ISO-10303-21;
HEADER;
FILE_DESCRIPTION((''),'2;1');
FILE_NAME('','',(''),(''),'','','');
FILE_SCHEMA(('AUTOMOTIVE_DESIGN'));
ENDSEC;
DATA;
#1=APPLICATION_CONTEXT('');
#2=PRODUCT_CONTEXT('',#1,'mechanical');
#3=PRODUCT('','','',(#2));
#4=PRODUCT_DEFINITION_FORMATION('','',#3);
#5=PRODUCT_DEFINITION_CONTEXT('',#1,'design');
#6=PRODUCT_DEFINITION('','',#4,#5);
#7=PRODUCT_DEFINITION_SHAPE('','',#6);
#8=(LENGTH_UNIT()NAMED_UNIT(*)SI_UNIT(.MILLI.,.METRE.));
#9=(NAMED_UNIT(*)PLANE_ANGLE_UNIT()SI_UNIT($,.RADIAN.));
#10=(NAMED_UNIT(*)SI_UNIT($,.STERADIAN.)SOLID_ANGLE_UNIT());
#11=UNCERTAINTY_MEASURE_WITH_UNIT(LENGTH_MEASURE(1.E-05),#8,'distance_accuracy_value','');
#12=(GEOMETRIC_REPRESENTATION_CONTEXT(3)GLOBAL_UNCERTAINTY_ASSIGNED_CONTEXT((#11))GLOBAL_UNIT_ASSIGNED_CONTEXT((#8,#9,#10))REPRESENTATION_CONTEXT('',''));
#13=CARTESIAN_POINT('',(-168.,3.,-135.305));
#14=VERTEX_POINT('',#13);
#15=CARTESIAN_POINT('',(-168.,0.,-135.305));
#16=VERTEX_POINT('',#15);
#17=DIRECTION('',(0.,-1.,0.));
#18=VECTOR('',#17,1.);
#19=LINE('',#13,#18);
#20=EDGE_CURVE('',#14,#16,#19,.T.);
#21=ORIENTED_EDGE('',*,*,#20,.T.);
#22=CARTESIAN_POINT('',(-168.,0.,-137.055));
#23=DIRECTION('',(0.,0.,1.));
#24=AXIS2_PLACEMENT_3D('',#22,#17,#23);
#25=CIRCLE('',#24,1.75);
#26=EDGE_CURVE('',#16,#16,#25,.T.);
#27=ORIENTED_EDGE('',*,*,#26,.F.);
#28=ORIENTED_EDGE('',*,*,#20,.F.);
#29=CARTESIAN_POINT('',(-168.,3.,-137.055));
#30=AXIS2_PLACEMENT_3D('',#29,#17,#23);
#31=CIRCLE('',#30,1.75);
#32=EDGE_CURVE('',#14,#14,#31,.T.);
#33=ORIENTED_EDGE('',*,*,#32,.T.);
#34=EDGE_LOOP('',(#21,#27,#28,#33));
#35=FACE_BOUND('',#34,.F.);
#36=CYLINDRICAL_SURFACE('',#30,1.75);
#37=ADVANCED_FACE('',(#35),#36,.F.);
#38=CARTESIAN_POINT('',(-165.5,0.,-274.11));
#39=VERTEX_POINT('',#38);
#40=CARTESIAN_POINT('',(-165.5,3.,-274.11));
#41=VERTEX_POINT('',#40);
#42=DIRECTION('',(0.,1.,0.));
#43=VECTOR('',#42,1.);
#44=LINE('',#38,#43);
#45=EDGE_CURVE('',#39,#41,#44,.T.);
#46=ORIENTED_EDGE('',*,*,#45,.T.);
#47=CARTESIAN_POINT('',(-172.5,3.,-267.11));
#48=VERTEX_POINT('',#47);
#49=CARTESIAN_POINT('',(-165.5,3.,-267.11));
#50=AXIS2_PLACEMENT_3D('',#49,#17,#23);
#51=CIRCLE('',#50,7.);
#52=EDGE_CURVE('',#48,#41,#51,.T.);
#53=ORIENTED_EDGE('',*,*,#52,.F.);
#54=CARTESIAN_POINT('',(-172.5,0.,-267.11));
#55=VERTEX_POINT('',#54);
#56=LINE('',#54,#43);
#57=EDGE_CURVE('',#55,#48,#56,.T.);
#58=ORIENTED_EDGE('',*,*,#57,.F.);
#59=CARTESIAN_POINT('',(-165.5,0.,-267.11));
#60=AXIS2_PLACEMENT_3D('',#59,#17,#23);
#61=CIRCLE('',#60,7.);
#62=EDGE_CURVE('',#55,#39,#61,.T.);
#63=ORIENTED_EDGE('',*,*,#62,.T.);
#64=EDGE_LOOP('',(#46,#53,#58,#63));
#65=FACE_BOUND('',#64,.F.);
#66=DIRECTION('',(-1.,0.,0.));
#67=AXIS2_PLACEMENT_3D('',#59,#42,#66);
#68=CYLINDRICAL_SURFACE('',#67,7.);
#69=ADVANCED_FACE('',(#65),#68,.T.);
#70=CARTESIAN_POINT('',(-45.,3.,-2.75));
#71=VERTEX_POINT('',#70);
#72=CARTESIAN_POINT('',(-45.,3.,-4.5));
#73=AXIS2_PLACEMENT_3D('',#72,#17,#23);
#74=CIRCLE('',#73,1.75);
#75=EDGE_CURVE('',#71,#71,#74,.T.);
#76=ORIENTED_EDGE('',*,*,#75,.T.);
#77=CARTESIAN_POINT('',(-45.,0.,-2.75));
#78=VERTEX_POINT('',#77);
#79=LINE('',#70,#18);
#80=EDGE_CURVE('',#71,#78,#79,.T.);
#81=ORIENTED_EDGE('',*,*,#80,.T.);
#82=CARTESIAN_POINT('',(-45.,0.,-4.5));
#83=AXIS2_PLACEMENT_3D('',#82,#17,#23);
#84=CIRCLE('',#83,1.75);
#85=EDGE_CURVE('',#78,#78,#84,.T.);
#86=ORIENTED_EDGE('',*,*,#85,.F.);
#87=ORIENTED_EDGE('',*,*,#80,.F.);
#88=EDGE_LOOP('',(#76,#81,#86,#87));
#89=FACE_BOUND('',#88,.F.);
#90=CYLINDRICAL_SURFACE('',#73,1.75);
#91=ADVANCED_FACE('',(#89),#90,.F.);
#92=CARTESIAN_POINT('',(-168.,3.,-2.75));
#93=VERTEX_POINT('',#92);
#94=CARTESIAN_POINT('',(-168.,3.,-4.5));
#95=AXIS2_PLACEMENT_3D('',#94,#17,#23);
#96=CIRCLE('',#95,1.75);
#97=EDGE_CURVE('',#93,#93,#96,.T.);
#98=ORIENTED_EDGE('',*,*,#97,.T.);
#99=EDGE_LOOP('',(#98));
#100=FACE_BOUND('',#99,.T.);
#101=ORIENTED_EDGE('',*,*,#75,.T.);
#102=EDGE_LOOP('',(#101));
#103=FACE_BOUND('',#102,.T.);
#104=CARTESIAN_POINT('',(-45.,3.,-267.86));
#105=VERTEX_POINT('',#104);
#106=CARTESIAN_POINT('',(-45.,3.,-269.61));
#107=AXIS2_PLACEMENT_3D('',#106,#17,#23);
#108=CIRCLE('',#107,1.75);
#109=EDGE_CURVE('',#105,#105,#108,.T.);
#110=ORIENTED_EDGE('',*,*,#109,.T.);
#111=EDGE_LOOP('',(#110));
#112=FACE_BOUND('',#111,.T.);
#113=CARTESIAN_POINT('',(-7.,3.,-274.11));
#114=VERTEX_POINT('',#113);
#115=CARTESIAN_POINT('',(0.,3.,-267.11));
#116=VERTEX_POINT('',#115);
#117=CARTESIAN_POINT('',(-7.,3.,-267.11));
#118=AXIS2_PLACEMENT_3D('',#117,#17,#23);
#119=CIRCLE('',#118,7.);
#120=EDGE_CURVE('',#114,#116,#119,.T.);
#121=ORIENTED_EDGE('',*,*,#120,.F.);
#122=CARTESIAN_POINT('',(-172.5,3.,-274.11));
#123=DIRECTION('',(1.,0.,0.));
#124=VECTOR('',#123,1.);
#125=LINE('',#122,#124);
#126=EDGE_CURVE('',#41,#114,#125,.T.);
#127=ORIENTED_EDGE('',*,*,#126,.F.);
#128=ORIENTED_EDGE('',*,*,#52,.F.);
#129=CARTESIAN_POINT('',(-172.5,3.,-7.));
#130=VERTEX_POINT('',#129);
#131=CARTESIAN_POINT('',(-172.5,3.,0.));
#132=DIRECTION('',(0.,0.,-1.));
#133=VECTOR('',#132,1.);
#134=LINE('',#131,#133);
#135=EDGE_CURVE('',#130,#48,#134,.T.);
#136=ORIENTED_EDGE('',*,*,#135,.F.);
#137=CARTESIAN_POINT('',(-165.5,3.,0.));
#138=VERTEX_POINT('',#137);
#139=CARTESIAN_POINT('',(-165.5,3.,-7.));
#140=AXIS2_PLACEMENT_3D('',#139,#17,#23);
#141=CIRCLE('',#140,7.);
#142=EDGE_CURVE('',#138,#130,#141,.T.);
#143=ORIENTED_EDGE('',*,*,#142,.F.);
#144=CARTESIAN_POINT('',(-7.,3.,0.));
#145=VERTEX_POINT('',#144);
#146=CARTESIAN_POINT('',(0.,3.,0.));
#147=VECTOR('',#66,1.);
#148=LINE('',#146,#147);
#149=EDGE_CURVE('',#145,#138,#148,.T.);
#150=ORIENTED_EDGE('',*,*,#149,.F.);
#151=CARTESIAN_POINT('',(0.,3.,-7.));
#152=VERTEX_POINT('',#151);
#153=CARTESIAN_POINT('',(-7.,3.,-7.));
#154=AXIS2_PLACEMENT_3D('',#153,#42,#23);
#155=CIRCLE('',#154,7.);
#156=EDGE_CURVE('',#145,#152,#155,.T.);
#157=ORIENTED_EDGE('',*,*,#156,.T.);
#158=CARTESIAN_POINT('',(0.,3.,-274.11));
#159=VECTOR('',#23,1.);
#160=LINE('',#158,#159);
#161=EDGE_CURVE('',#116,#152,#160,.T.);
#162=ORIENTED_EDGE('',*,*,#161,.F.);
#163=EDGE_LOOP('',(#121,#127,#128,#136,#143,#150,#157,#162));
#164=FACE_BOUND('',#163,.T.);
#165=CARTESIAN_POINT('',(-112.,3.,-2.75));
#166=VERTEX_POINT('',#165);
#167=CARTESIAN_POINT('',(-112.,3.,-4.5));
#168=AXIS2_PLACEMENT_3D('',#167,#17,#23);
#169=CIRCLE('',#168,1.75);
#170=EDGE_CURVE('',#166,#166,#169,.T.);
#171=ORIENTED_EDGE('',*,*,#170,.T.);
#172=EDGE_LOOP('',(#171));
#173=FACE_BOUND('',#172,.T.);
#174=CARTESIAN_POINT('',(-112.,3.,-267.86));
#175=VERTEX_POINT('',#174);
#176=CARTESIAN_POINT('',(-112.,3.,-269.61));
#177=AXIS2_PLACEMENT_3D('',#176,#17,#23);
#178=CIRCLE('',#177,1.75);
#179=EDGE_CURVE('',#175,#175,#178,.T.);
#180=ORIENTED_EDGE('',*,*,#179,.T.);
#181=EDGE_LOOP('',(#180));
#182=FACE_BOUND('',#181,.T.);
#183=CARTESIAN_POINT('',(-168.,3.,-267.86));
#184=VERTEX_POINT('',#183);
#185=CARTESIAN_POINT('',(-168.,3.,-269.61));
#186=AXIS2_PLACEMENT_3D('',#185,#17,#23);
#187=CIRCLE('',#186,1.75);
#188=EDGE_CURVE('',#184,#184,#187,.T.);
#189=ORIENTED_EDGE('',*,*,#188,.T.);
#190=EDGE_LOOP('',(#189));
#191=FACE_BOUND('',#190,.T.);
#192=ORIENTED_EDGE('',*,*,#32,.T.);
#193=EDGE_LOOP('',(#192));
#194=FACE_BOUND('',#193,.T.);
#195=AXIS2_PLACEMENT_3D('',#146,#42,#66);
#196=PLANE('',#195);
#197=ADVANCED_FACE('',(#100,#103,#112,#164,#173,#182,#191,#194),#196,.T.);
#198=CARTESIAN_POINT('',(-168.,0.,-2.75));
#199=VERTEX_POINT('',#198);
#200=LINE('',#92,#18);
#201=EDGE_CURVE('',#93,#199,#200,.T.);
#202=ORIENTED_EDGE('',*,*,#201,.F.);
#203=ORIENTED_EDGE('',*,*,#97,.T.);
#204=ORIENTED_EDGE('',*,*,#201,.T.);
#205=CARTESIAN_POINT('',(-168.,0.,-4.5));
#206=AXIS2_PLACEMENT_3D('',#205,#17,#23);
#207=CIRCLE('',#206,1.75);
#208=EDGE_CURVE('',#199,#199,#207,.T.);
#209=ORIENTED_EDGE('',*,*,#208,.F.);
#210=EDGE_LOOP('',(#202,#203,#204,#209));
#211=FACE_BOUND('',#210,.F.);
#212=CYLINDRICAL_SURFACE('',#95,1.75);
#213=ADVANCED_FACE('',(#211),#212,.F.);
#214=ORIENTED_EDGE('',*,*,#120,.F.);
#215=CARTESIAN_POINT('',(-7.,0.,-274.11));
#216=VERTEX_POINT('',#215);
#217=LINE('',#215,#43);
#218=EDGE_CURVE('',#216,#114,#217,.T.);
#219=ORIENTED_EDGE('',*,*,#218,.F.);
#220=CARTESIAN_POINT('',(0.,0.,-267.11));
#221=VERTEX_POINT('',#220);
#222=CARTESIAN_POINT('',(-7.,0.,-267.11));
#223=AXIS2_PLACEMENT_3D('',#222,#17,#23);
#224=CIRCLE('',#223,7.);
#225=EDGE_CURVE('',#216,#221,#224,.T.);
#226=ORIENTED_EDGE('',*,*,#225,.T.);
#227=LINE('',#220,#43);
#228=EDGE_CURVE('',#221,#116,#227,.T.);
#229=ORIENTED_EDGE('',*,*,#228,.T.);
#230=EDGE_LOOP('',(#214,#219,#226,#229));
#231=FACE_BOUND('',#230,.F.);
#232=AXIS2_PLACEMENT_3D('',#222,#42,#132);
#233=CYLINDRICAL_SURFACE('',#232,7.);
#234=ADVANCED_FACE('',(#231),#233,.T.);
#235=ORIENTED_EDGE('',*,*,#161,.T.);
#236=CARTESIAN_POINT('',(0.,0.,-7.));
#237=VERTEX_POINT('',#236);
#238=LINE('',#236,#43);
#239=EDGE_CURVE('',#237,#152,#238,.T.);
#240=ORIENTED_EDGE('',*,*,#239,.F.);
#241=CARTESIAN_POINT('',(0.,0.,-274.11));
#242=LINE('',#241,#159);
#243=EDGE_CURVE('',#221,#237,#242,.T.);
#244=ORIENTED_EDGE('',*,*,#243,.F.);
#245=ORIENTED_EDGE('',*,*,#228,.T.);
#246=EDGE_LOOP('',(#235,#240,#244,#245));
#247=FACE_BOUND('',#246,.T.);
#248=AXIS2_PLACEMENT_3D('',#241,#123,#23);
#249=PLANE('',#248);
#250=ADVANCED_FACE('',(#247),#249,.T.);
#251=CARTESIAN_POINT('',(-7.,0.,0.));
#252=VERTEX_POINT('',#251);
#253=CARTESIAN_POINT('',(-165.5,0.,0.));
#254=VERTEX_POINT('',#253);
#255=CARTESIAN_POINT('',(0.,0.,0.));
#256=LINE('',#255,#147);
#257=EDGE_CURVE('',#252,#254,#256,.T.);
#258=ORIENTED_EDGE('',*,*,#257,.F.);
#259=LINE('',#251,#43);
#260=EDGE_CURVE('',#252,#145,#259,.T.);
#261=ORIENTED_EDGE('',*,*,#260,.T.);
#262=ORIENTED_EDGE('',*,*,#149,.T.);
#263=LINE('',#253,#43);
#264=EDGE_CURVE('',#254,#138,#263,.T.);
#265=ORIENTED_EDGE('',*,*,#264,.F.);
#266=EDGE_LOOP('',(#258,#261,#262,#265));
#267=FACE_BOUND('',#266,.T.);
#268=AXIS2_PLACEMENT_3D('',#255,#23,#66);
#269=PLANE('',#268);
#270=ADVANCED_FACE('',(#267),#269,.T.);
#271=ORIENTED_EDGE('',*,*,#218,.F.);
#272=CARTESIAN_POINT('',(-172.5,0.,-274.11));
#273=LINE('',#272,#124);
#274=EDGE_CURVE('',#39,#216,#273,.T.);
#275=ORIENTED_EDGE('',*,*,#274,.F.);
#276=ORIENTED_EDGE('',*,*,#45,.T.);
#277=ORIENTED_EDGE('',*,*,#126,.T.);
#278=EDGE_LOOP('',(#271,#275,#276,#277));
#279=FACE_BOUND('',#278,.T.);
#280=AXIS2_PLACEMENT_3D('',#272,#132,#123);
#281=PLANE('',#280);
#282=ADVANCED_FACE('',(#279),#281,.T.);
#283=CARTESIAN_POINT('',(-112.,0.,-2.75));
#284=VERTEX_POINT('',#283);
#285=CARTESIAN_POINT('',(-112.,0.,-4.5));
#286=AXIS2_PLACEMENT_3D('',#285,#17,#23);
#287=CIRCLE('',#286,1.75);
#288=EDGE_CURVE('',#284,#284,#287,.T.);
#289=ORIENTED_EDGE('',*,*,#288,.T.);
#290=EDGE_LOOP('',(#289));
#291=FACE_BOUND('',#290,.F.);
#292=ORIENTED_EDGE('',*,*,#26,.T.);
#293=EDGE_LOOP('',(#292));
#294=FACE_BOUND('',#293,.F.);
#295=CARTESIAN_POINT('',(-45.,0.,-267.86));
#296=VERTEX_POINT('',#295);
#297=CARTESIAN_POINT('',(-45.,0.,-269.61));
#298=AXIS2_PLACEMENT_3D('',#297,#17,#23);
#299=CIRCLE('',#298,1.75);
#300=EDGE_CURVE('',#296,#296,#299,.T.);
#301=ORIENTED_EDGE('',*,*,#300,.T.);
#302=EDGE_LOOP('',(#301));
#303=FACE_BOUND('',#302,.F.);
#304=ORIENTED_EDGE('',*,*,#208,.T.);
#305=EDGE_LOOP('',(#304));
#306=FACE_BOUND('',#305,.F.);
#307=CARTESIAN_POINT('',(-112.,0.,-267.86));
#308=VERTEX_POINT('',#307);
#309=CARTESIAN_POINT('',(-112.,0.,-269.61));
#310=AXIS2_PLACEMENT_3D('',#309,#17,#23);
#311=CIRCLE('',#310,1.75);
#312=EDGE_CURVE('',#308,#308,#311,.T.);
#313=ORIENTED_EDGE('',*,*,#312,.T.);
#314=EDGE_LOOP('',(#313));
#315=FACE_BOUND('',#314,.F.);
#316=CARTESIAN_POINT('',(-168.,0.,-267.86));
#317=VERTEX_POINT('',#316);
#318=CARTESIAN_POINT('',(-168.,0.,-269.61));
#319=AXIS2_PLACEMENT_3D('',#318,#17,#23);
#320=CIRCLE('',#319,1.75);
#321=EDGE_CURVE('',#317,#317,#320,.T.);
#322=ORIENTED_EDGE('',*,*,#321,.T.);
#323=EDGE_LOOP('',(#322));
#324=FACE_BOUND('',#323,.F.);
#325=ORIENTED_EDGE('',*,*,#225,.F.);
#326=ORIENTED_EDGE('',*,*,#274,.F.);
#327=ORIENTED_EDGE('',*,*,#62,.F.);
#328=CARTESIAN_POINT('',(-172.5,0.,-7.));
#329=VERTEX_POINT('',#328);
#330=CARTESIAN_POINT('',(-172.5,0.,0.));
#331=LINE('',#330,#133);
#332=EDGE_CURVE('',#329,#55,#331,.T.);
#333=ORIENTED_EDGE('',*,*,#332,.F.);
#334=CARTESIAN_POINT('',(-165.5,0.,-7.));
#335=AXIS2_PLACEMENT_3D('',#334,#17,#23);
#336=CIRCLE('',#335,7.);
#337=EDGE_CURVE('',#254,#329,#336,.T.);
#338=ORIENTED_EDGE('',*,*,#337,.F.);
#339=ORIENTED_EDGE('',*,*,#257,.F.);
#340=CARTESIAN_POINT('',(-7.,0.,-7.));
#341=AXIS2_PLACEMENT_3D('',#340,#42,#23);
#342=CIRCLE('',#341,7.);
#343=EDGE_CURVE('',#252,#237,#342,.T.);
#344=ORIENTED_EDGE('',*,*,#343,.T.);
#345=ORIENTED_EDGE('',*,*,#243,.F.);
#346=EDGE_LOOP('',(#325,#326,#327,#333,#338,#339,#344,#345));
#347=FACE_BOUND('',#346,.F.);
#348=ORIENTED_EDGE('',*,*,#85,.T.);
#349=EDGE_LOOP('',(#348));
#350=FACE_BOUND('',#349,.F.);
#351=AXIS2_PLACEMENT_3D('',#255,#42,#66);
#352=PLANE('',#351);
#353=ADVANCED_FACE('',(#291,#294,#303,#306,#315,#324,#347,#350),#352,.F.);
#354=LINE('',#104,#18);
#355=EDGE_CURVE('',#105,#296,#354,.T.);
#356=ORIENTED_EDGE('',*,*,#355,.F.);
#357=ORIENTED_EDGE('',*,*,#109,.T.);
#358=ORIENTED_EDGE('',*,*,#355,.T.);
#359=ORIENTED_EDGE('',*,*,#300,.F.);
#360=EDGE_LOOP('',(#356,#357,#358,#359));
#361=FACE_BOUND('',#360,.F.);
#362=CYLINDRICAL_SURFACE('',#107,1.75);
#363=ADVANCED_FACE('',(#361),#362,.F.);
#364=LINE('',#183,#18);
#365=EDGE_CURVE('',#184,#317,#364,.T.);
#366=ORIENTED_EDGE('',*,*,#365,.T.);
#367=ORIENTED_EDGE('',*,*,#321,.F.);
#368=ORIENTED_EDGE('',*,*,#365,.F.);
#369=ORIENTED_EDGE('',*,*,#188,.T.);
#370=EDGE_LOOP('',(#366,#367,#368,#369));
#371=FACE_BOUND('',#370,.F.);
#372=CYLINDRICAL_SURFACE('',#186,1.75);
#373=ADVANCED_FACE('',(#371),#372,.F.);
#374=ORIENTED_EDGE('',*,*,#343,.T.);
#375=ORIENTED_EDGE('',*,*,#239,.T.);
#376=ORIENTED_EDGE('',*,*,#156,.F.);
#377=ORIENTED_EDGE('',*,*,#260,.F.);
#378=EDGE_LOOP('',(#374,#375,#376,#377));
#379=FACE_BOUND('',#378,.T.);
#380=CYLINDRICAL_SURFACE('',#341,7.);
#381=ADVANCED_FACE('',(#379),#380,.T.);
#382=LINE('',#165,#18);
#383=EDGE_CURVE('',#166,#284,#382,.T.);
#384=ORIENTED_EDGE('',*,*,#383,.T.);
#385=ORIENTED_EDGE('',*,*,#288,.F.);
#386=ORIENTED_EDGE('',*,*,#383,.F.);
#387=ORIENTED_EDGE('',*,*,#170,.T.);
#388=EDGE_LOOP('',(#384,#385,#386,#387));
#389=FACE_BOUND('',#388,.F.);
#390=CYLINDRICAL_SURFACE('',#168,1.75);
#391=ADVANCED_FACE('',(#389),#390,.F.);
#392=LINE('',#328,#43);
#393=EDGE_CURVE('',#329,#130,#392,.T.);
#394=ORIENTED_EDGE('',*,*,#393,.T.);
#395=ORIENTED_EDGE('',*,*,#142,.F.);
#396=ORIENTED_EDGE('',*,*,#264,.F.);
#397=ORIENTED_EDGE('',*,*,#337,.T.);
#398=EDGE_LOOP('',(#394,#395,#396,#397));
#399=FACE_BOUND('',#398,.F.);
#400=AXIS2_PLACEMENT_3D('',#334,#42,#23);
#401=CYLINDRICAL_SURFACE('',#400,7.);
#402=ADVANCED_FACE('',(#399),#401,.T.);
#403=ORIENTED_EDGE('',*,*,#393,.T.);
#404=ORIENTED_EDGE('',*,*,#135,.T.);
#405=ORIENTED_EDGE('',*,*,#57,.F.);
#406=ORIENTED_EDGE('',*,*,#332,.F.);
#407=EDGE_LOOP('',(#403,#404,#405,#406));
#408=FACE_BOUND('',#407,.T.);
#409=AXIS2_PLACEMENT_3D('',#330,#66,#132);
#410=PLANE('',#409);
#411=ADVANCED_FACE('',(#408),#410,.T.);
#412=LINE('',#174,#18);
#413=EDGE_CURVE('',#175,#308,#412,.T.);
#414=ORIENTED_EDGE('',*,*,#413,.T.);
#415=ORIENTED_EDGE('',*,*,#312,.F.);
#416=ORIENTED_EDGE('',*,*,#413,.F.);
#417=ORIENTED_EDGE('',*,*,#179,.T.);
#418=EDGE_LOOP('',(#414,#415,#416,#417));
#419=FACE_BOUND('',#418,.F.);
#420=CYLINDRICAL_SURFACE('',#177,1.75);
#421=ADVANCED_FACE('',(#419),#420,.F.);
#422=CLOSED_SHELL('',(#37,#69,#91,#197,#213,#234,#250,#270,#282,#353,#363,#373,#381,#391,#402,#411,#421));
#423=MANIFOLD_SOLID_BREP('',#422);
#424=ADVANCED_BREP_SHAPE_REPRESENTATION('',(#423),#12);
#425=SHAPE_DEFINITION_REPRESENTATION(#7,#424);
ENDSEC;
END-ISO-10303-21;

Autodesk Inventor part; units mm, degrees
ref_plane "YZ Plane" through (0, 0, 0) normal (1, 0, 0) x (0, 1, 0)
ref_plane "XZ Plane" through (0, 0, 0) normal (0, 1, 0) x (-1, 0, 0)
ref_plane "XY Plane" through (0, 0, 0) normal (0, 0, 1) x (1, 0, 0)
sketch "Sketch1" plane through (0, 0, 0) normal (0, 1, 0) x (-1, 0, 0)
  line L0 (0, 0) -> (172.5, 0)
  line L1 (172.5, 0) -> (172.5, -274.11)
  line L2 (172.5, -274.11) -> (0, -274.11)
  line L3 (0, -274.11) -> (0, 0)
  dimension "d0" = 274.11
  dimension "d1" = 172.5
extrude "Extrusion1" add sketch "Sketch1" along normal blind 3
fillet "Fillet1" radius 7 4 edges at (-172.5, 1.5, 0) (0, 1.5, 0) (-172.5, 1.5, -274.11) (0, 1.5, -274.11)
sketch "Sketch2" plane through (0, 3, 0) normal (0, 1, 0) x (1, 0, 0)
  line L0 (-168, 4.5) -> (-45, 4.5) construction
  line L1 (-45, 4.5) -> (-45, 269.61) construction
  line L2 (-45, 269.61) -> (-168, 269.61) construction
  line L3 (-168, 269.61) -> (-168, 4.5) construction
  line L4 (-172.5, 267.11) -> (-172.5, 7) projected
  line L5 (-172.5, 137.055) -> (0, 137.055) construction
  line L6 (0, 7) -> (0, 267.11) projected
  line L7 (-7, 274.11) -> (-165.5, 274.11) projected
  line L8 (-86.25, 274.11) -> (-86.25, 0) construction
  line L9 (-165.5, 0) -> (-7, 0) projected
  line L10 (-112, 269.61) -> (-112, 4.5) construction
  point P0 (0, 0)
  point P1 (-168, 137.055)
  point P2 (-168, 137.055)
  dimension "d12" = 265.11
  dimension "d13" = 4.5
  dimension "d14" = 123
  dimension "d15" = 67
hole "Hole1" at (-168, 3, -4.5) at (-112, 3, -4.5) at (-45, 3, -4.5) at (-168, 3, -137.055) at (-168, 3, -269.61) at (-112, 3, -269.61) at (-45, 3, -269.61) direction (0, -1, 0) diameter 3.5 depth 3
properties part number "back_plate"
